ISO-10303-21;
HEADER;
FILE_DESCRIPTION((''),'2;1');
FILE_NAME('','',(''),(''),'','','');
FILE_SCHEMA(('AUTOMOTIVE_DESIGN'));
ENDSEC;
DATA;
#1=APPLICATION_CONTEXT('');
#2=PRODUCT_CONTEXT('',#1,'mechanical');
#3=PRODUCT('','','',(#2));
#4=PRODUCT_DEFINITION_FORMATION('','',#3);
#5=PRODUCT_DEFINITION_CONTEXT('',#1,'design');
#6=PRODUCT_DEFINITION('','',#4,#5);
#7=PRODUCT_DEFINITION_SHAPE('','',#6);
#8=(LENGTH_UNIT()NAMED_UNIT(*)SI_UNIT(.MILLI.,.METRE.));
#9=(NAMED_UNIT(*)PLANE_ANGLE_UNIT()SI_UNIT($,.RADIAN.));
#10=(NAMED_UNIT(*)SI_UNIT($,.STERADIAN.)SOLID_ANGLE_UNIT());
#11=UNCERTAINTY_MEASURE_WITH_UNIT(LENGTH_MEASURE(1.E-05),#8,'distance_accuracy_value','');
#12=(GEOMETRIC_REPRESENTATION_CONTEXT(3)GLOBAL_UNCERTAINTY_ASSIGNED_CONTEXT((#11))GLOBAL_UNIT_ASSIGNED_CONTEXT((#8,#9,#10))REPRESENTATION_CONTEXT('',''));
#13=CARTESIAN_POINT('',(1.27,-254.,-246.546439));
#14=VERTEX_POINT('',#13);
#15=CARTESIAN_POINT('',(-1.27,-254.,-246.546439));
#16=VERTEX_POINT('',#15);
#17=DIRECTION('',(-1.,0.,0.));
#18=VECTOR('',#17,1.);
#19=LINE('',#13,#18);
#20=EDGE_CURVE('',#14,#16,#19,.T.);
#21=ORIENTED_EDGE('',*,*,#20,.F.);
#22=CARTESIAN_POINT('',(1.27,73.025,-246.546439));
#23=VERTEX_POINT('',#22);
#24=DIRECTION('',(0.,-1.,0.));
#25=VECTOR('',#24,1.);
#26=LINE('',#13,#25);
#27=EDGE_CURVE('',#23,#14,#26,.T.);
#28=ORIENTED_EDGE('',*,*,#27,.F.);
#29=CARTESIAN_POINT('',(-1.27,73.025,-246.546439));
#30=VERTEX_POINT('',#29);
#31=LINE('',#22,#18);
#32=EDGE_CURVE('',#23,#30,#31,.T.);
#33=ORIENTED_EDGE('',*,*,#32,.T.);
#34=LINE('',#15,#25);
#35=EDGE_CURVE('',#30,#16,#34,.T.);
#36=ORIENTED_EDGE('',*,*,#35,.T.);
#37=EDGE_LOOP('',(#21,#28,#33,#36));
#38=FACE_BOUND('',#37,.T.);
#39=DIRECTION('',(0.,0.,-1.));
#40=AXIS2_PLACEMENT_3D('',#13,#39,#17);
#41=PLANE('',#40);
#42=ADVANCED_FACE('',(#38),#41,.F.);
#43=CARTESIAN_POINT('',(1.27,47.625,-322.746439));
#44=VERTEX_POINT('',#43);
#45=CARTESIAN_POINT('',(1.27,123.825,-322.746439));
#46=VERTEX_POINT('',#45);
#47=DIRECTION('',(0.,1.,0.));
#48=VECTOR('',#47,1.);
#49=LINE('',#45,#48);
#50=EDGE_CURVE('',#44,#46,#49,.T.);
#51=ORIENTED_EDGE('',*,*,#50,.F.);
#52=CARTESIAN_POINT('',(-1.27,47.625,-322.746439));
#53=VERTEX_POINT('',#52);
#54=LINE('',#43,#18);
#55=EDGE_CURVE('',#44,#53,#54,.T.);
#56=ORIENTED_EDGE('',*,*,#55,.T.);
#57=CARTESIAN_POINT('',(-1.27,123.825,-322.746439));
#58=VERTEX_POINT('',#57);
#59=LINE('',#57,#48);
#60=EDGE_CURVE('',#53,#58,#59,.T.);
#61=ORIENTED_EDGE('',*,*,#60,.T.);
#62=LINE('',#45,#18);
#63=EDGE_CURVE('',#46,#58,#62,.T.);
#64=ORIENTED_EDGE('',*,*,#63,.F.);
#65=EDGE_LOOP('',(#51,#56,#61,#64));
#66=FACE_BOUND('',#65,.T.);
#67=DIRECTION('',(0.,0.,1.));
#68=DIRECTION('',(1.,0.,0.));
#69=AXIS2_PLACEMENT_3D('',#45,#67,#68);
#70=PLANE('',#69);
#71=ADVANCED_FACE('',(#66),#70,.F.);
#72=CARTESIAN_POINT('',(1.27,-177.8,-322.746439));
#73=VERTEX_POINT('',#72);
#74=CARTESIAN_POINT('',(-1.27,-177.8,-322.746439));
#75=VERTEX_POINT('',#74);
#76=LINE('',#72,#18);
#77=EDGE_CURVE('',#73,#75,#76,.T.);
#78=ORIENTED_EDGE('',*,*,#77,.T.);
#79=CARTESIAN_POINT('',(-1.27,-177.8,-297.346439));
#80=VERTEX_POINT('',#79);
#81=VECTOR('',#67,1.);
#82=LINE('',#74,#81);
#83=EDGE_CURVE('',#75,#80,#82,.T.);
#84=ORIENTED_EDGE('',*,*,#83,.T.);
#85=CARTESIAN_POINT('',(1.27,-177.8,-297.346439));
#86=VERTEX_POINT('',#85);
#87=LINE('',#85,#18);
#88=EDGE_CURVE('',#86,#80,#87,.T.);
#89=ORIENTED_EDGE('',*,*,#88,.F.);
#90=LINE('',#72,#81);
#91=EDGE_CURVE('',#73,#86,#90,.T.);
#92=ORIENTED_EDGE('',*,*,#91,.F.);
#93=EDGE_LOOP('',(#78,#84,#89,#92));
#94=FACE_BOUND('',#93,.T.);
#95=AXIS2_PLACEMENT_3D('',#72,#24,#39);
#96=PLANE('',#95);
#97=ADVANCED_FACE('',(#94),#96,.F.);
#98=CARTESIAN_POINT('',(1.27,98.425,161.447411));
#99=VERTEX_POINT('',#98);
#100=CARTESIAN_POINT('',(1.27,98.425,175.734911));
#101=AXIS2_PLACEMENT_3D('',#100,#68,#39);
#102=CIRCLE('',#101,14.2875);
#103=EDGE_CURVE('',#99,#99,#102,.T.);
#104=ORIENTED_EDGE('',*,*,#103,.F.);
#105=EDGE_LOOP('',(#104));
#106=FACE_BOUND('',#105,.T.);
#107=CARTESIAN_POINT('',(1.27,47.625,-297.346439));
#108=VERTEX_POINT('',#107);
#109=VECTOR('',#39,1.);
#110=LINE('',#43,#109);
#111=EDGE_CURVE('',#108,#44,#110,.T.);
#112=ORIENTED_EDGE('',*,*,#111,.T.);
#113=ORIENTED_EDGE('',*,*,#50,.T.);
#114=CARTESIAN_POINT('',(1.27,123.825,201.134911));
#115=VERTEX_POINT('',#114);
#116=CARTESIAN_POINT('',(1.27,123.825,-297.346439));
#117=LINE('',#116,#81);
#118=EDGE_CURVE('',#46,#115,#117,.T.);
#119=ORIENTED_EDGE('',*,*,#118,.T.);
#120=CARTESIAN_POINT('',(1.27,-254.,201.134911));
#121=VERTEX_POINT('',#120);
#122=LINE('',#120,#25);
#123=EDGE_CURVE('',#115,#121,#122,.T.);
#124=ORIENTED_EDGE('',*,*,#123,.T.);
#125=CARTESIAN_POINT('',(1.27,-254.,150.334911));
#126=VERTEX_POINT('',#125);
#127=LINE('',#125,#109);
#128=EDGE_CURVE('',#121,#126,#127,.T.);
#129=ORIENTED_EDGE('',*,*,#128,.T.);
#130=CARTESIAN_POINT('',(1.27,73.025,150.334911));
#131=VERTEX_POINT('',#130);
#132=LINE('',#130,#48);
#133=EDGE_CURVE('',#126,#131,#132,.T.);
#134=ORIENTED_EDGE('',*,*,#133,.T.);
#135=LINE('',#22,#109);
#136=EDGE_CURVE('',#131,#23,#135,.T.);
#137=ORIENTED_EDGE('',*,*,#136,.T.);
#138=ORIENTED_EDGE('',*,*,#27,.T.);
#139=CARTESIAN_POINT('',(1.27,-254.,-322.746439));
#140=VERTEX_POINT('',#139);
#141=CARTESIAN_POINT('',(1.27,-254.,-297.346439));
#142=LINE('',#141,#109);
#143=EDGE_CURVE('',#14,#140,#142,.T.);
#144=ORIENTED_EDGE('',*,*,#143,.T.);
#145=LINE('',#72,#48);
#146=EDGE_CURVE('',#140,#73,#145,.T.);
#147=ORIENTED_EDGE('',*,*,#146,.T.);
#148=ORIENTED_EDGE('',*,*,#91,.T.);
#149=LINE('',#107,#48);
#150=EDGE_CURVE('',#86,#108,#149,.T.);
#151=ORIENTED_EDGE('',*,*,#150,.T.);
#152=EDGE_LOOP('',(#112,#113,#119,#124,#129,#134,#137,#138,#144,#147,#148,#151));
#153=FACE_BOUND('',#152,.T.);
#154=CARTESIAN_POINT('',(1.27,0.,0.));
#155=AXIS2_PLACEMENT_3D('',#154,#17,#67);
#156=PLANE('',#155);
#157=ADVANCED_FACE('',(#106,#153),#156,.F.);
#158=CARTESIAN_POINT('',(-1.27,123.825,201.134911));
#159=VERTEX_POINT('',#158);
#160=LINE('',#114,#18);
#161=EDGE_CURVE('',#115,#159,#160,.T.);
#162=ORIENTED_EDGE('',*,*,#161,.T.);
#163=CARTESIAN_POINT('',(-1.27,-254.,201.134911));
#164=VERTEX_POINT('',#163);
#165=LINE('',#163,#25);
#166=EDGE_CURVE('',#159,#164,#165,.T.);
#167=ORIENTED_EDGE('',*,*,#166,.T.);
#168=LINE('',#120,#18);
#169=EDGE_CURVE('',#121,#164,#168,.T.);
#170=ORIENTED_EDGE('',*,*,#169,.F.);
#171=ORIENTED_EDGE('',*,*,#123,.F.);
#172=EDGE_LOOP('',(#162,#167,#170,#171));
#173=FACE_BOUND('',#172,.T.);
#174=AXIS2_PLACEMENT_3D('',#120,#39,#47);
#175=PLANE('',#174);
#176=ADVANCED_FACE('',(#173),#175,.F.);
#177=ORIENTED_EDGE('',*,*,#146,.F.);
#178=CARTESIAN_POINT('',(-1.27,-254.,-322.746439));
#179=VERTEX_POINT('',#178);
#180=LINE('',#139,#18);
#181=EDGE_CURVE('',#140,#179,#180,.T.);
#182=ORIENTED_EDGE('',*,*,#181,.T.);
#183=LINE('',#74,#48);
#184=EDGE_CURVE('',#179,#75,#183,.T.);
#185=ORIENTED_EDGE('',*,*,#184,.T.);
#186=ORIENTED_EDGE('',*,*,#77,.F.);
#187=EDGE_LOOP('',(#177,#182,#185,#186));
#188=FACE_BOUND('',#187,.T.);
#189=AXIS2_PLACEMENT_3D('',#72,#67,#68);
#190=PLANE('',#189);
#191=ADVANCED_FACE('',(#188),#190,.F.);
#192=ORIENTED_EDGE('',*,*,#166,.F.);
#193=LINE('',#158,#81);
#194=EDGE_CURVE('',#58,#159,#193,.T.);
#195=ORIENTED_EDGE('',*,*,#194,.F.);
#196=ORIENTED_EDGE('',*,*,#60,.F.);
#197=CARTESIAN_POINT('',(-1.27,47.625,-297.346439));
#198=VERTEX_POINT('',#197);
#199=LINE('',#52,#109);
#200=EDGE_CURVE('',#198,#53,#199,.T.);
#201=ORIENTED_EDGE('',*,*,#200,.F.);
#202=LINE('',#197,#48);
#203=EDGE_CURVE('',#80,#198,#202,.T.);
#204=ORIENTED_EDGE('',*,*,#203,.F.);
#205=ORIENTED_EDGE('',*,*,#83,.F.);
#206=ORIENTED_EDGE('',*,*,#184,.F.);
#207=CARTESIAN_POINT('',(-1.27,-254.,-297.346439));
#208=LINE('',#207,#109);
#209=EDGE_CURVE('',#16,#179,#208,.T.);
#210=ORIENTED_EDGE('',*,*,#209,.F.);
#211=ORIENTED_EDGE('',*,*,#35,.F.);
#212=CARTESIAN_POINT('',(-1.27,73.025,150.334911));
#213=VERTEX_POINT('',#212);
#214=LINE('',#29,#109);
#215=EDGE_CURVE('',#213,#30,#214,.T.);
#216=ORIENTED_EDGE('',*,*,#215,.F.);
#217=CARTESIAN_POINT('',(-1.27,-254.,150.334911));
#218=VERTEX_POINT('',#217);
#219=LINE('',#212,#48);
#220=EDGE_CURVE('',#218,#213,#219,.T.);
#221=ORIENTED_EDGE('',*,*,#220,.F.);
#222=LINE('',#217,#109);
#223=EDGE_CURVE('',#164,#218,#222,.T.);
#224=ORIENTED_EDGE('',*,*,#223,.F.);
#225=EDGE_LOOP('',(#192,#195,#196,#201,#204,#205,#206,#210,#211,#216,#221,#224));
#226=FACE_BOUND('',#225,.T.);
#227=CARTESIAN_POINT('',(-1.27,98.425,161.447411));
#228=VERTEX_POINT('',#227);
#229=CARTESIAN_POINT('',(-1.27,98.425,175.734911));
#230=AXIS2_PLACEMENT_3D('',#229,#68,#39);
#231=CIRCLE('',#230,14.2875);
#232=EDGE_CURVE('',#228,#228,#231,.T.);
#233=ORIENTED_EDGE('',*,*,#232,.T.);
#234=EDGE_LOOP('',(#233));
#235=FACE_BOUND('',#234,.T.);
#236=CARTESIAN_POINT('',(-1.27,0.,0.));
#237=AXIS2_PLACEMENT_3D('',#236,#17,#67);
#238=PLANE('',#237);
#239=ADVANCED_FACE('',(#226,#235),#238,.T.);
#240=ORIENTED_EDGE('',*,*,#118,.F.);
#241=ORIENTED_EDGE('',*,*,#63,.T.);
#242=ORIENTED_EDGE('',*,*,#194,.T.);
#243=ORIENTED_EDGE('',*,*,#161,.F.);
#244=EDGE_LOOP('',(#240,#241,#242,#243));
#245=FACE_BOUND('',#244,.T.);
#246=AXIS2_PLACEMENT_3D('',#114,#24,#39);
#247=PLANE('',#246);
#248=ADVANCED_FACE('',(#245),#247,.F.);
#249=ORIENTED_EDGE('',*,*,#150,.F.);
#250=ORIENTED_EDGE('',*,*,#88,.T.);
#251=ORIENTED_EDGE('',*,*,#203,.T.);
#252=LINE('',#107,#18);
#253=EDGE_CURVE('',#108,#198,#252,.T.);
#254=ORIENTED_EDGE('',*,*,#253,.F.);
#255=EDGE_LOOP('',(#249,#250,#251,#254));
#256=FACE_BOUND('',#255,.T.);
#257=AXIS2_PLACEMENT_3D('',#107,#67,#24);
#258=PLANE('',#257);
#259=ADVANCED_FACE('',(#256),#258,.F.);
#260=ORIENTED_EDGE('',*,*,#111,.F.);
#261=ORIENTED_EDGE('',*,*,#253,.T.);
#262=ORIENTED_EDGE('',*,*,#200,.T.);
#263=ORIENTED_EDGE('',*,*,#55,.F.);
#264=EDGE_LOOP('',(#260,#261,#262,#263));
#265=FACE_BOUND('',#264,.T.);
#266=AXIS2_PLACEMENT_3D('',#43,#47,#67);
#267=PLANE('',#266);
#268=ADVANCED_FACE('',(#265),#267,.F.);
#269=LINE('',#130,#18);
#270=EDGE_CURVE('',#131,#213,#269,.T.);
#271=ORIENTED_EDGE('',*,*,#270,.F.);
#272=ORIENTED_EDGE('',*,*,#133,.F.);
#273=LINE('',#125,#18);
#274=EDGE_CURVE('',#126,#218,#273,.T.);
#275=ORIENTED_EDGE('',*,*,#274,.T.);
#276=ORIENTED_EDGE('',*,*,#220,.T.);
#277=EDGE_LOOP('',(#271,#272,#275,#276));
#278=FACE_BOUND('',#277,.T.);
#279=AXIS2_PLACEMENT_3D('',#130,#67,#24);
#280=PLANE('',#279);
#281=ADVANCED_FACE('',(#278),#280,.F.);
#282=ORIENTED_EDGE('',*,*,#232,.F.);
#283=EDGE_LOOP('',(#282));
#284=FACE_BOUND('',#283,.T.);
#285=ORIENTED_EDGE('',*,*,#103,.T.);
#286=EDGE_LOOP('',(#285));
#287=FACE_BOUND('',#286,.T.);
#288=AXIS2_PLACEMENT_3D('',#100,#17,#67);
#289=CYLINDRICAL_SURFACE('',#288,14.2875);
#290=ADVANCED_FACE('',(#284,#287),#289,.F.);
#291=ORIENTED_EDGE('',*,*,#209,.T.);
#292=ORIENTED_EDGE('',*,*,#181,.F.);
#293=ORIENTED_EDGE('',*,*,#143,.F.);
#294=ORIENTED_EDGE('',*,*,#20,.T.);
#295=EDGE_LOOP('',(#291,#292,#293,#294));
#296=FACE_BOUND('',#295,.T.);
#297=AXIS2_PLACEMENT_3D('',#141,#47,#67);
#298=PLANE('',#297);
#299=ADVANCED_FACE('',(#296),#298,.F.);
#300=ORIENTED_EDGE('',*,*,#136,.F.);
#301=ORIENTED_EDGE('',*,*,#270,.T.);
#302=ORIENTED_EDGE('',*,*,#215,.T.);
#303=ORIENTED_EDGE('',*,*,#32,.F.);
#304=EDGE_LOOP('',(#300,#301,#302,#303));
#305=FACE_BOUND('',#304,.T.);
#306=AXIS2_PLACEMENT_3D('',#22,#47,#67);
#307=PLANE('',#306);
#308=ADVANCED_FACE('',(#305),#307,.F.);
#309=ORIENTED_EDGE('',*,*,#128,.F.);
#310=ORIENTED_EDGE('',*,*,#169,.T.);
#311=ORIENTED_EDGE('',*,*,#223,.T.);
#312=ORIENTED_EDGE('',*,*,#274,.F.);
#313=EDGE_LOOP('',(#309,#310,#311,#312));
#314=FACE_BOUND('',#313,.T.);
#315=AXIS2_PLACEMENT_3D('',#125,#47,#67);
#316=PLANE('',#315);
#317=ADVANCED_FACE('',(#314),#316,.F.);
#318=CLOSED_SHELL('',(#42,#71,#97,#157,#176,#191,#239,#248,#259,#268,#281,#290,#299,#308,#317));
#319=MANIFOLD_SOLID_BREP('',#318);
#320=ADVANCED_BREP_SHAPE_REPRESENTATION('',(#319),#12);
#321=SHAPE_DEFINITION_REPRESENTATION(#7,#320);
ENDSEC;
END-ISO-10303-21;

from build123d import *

# Parameters (mm, degrees)
SKETCH1_R           = 14.2875
BOSS_EXTRUDE1_DEPTH = 1.27


with BuildPart() as part:
    # Sketch1 → Boss-Extrude1 (new body, symmetric)
    with BuildSketch(Plane(origin=(0, 0, 0), x_dir=(0, 0, -1), z_dir=(1, 0, 0))):
        Polygon((-201.134911254, -254), (-201.134911254, 123.825), (297.346438746, 123.825), (322.746438746, 123.825), (322.746438746, 47.625), (297.346438746, 47.625), (297.346438746, -177.8), (322.746438746, -177.8), (322.746438746, -254), (297.346438746, -254), (246.546438746, -254), (246.546438746, 73.025), (-150.334911254, 73.025), (-150.334911254, -254), align=None)
        with Locations((-175.734911254, 98.425)):
            Circle(SKETCH1_R, mode=Mode.SUBTRACT)
    extrude(amount=BOSS_EXTRUDE1_DEPTH, both=True)


solid = part.part
